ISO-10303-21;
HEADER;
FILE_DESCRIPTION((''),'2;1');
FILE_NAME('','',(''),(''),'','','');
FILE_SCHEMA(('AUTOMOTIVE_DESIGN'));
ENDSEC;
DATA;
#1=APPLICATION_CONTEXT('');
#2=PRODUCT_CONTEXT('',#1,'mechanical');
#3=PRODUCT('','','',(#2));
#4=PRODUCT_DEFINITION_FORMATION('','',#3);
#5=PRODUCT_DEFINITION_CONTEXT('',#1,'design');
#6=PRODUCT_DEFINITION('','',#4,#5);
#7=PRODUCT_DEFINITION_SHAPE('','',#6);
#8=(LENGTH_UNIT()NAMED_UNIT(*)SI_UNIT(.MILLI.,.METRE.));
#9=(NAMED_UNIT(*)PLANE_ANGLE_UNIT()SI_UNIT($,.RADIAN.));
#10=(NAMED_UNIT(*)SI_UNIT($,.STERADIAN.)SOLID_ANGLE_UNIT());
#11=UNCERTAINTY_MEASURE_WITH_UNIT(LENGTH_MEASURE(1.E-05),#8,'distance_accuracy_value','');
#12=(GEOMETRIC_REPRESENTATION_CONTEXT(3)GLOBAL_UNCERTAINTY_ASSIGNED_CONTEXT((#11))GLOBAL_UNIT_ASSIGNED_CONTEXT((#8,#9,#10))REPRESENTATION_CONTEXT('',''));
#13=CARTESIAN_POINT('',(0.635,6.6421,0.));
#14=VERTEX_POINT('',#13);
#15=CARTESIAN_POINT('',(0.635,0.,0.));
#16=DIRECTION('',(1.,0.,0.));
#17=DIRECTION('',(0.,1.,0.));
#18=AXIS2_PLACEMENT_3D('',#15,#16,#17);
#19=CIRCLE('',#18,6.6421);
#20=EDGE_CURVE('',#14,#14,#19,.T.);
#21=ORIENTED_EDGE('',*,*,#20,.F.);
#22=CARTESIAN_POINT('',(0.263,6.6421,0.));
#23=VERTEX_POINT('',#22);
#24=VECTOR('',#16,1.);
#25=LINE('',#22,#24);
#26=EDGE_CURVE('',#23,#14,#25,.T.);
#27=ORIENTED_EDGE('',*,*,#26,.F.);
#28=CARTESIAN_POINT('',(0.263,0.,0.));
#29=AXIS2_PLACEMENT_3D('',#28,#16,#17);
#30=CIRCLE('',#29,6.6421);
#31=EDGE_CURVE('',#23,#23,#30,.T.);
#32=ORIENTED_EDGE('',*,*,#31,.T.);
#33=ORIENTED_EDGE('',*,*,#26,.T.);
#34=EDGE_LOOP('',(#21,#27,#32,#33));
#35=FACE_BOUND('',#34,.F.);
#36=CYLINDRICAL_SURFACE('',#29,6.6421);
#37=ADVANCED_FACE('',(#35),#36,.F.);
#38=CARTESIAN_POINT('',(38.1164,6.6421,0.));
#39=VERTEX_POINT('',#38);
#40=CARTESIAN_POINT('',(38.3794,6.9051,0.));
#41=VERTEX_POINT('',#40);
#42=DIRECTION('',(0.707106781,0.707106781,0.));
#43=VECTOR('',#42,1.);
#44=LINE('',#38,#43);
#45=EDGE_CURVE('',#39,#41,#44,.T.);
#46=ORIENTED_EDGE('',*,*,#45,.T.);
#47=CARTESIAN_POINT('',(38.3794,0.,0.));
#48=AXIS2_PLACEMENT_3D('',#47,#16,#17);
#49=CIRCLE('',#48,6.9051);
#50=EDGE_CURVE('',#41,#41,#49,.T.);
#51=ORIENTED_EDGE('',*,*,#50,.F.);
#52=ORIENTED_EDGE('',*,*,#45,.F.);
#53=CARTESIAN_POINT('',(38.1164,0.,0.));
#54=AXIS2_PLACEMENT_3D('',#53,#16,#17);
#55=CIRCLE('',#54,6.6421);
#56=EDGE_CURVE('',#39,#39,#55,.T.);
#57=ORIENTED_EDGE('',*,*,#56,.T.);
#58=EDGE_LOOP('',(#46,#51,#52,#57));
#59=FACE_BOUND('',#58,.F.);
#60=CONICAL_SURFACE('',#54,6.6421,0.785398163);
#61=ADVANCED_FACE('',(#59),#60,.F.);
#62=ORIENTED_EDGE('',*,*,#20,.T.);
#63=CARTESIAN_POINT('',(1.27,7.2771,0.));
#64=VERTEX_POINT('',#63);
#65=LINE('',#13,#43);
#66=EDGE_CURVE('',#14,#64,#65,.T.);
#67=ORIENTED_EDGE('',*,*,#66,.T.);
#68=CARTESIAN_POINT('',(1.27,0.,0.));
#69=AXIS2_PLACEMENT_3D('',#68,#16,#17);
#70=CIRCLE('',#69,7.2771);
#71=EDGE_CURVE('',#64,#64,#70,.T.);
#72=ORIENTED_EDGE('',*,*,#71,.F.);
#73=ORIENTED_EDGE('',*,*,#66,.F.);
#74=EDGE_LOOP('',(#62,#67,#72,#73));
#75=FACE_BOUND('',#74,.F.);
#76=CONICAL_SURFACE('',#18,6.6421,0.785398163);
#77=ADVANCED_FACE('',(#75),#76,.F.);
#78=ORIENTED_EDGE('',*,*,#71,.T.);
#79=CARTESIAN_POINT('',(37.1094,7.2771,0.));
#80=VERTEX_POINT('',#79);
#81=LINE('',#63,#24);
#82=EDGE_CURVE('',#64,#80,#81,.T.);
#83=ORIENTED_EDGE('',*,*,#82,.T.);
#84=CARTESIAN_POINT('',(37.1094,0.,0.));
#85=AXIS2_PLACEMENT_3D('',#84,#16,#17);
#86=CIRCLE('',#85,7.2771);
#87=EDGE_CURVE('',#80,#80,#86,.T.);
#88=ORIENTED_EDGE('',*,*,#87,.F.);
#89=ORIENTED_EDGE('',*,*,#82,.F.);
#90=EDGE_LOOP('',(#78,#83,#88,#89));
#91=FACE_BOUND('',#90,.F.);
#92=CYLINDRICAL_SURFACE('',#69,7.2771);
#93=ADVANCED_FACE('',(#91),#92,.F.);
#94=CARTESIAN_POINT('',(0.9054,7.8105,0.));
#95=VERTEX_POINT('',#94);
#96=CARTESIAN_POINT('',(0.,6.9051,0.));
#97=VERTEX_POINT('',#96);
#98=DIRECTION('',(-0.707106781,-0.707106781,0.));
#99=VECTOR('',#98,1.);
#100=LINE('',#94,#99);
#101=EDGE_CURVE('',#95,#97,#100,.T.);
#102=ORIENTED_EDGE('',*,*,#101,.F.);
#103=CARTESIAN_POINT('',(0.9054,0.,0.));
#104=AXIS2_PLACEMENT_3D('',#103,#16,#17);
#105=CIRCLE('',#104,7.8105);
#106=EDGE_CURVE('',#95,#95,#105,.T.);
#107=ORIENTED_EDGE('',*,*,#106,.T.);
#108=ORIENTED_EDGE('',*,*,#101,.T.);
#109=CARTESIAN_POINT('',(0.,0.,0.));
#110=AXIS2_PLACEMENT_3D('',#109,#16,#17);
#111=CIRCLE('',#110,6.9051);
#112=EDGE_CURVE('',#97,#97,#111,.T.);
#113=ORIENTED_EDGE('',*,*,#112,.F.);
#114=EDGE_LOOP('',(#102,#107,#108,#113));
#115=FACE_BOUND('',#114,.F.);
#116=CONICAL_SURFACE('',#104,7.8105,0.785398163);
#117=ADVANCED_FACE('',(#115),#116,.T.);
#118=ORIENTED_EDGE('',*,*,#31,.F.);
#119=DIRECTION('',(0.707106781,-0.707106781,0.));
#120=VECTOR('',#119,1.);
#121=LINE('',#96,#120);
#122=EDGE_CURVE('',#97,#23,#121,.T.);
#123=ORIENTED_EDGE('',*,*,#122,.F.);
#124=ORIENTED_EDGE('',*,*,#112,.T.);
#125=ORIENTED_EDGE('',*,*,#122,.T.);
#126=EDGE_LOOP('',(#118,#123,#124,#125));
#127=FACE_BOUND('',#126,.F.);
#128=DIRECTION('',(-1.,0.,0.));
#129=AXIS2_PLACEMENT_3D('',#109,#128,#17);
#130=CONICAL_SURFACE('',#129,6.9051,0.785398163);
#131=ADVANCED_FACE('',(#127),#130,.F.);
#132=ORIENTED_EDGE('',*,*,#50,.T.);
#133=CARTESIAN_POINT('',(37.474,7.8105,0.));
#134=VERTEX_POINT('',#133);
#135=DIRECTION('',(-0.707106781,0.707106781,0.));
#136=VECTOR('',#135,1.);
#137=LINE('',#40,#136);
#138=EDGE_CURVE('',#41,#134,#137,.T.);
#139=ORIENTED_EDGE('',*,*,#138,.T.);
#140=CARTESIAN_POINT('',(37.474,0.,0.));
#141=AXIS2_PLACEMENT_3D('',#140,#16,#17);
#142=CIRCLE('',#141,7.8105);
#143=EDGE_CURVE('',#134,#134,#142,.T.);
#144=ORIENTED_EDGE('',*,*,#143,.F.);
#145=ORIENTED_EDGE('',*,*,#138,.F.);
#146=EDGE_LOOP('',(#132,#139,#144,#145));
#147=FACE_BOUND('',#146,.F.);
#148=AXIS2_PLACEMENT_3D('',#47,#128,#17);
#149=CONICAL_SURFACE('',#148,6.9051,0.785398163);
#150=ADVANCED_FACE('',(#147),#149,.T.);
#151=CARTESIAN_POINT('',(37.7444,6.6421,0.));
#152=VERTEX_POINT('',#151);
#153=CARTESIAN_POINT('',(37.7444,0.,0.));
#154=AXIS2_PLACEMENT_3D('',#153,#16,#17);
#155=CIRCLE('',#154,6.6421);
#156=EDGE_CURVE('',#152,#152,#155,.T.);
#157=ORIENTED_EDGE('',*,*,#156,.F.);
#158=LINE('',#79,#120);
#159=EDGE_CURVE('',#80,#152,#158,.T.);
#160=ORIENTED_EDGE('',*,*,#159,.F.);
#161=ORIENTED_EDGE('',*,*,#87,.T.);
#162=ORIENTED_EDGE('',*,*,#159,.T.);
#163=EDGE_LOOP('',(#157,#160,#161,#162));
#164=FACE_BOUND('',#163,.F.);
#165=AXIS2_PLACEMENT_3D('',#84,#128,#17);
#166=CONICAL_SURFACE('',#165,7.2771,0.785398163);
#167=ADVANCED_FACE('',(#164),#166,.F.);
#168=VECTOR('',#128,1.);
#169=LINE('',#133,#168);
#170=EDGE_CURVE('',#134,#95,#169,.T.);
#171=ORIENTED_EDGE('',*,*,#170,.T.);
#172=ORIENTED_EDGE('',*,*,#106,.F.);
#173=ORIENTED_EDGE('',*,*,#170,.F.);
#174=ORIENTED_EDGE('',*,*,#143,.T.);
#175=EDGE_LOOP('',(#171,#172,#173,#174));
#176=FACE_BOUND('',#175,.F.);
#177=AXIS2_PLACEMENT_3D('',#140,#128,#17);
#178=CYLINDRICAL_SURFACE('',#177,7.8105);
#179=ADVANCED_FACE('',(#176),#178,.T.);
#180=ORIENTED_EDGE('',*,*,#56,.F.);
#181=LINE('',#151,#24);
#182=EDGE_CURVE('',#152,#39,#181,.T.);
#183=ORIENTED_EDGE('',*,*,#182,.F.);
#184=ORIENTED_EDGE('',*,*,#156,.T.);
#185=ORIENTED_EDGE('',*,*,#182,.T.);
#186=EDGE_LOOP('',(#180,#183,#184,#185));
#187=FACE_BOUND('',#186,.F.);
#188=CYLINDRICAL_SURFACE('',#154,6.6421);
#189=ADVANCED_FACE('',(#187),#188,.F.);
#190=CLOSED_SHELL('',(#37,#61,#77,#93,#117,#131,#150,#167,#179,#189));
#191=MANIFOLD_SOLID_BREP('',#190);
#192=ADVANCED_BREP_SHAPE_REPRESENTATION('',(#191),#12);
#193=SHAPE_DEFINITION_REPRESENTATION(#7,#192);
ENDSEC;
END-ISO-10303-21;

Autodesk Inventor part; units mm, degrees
sketch "Sketch_5" plane through (0, 0, 0) normal (0, 0, 1) x (1, 0, 0)
  line L0 (38.3794, 0) -> (-38.3794, 0)
  line L1 (0, 6.9051) -> (0.263, 6.6421)
  line L2 (0.263, 6.6421) -> (0.635, 6.6421)
  line L3 (0.635, 6.6421) -> (1.27, 7.2771)
  line L4 (1.27, 7.2771) -> (37.1094, 7.2771)
  line L5 (37.1094, 7.2771) -> (37.7444, 6.6421)
  line L6 (37.7444, 6.6421) -> (38.1164, 6.6421)
  line L7 (38.1164, 6.6421) -> (38.3794, 6.9051)
  line L8 (38.3794, 6.9051) -> (37.474, 7.8105)
  line L9 (37.474, 7.8105) -> (0.9054, 7.8105)
  line L10 (0.9054, 7.8105) -> (0, 6.9051)
revolve "Revolution1" add sketch "Sketch_5" angle 360 about axis through (38.3794, 0, 0) along (1, 0, 0)
ref_plane "o1_XY" through (0, -7.8105, 0) normal (1, 0, 0) x (0, 0, -1)
ref_plane "o1_YZ" through (0, -7.8105, 0) normal (0, 0, -1) x (0, 1, 0)
ref_plane "o1_ZX" through (0, -7.8105, 0) normal (0, 1, 0) x (1, 0, 0)
ref_plane "o2_XY" through (0, 7.8105, 0) normal (1, 0, 0) x (0, 0, -1)
ref_plane "o2_YZ" through (0, 7.8105, 0) normal (0, 0, -1) x (0, 1, 0)
ref_plane "o2_ZX" through (0, 7.8105, 0) normal (0, 1, 0) x (1, 0, 0)
ref_plane "t1_XY" through (19.1897, 7.8105, 0) normal (1, 0, 0) x (0, 0, -1)
ref_plane "t1_YZ" through (19.1897, 7.8105, 0) normal (0, 0, -1) x (0, 1, 0)
ref_plane "t1_ZX" through (19.1897, 7.8105, 0) normal (0, 1, 0) x (1, 0, 0)
ref_plane "t2_XY" through (19.1897, 0, -7.8105) normal (1, 0, 0) x (0, 0, -1)
ref_plane "t2_YZ" through (19.1897, 0, -7.8105) normal (0, 0, -1) x (0, 1, 0)
ref_plane "t2_ZX" through (19.1897, 0, -7.8105) normal (0, 1, 0) x (1, 0, 0)
ref_plane "t3_XY" through (19.1897, -7.8105, 0) normal (1, 0, 0) x (0, 0, -1)
ref_plane "t3_YZ" through (19.1897, -7.8105, 0) normal (0, 0, -1) x (0, 1, 0)
ref_plane "t3_ZX" through (19.1897, -7.8105, 0) normal (0, 1, 0) x (1, 0, 0)
ref_plane "t4_XY" through (19.1897, 0, 7.8105) normal (1, 0, 0) x (0, 0, -1)
ref_plane "t4_YZ" through (19.1897, 0, 7.8105) normal (0, 0, -1) x (0, 1, 0)
ref_plane "t4_ZX" through (19.1897, 0, 7.8105) normal (0, 1, 0) x (1, 0, 0)
ref_plane "tube1_XY" through (1.27, 0, 0) normal (1, 0, 0) x (0, 0, -1)
ref_plane "tube1_YZ" through (1.27, 0, 0) normal (0, 0, -1) x (0, 1, 0)
ref_plane "tube1_ZX" through (1.27, 0, 0) normal (0, 1, 0) x (1, 0, 0)
ref_plane "tube2_XY" through (37.1094, 0, 0) normal (1, 0, 0) x (0, 0, -1)
ref_plane "tube2_YZ" through (37.1094, 0, 0) normal (0, 0, -1) x (0, 1, 0)
ref_plane "tube2_ZX" through (37.1094, 0, 0) normal (0, 1, 0) x (1, 0, 0)
properties part number "D-7516XP-1.511"
